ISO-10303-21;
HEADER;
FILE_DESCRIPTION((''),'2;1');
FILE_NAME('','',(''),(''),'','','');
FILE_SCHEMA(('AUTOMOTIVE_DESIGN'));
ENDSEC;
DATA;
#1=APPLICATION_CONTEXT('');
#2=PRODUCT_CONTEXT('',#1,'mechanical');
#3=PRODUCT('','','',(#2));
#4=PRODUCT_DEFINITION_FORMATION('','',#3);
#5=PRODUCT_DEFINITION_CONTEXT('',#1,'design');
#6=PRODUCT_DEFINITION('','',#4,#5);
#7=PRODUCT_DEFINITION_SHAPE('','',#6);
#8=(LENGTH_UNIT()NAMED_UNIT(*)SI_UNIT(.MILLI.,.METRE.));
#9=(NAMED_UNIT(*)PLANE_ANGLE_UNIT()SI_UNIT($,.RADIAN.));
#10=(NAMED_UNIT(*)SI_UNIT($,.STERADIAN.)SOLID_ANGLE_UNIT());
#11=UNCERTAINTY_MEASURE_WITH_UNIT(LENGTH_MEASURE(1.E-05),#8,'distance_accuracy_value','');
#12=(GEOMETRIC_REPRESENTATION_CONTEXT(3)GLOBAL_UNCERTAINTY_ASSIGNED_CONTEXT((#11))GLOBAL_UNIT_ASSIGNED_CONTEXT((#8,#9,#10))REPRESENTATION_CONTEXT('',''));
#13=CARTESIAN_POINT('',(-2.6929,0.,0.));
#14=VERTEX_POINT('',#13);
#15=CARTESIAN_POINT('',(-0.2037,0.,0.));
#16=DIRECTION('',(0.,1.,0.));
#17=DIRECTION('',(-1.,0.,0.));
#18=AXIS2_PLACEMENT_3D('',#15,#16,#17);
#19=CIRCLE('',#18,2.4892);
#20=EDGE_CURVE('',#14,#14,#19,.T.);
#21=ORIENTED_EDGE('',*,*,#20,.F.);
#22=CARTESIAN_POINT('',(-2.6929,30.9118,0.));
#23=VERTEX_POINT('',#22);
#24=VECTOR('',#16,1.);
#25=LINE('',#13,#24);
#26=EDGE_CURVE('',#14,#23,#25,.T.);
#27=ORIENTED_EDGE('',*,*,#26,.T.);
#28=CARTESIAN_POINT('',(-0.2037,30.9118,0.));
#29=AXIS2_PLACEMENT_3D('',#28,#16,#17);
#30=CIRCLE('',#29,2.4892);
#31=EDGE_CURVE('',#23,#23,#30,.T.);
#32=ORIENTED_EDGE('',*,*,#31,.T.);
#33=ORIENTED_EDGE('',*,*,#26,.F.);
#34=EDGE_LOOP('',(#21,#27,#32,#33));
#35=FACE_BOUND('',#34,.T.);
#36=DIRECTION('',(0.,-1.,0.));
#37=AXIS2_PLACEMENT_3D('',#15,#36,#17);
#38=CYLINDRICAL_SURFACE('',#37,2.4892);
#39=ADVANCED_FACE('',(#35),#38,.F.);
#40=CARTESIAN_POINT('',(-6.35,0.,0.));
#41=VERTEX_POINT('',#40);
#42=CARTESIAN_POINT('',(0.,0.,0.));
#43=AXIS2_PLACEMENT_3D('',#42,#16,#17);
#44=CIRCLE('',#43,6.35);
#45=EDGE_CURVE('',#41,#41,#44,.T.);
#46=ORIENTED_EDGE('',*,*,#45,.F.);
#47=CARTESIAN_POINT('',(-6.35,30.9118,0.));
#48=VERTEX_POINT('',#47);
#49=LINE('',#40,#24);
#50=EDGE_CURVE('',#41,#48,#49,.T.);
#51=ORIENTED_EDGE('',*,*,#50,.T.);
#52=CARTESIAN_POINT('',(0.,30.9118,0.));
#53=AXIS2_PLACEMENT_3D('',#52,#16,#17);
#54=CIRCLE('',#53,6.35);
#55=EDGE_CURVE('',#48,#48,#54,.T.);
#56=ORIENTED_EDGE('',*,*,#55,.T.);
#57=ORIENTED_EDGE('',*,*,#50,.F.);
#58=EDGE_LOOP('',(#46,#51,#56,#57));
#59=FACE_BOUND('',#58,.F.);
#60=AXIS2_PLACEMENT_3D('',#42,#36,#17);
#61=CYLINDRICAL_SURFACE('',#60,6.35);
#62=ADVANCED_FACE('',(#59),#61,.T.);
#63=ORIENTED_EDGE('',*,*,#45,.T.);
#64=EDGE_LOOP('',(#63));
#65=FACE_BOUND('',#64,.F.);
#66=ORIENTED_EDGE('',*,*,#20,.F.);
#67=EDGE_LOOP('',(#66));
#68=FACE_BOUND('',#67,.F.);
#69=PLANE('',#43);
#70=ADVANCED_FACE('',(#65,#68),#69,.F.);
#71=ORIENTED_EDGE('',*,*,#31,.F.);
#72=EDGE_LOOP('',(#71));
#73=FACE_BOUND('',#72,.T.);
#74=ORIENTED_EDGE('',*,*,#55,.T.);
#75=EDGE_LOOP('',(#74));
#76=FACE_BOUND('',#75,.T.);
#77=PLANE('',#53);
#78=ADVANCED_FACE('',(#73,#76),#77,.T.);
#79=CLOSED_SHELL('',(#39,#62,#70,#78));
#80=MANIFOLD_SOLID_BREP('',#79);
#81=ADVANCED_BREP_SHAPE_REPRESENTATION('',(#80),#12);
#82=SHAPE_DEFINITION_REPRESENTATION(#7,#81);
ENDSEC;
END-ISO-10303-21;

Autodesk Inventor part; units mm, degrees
ref_plane "YZ Plane" through (0, 0, 0) normal (1, 0, 0) x (0, 1, 0)
ref_plane "XZ Plane" through (0, 0, 0) normal (0, 1, 0) x (-1, 0, 0)
ref_plane "XY Plane" through (0, 0, 0) normal (0, 0, 1) x (1, 0, 0)
sketch "Sketch1" plane through (0, 0, 0) normal (0, 1, 0) x (-1, 0, 0)
  circle A0 centre (0, 0) radius 6.35
  circle A1 centre (0.2037, 0) radius 2.4892
  dimension "d0" = 12.7
  dimension "d1" = 4.9784
extrude "Extrusion1" add sketch "Sketch1" along normal blind 30.9118
properties part number "Standoff"
